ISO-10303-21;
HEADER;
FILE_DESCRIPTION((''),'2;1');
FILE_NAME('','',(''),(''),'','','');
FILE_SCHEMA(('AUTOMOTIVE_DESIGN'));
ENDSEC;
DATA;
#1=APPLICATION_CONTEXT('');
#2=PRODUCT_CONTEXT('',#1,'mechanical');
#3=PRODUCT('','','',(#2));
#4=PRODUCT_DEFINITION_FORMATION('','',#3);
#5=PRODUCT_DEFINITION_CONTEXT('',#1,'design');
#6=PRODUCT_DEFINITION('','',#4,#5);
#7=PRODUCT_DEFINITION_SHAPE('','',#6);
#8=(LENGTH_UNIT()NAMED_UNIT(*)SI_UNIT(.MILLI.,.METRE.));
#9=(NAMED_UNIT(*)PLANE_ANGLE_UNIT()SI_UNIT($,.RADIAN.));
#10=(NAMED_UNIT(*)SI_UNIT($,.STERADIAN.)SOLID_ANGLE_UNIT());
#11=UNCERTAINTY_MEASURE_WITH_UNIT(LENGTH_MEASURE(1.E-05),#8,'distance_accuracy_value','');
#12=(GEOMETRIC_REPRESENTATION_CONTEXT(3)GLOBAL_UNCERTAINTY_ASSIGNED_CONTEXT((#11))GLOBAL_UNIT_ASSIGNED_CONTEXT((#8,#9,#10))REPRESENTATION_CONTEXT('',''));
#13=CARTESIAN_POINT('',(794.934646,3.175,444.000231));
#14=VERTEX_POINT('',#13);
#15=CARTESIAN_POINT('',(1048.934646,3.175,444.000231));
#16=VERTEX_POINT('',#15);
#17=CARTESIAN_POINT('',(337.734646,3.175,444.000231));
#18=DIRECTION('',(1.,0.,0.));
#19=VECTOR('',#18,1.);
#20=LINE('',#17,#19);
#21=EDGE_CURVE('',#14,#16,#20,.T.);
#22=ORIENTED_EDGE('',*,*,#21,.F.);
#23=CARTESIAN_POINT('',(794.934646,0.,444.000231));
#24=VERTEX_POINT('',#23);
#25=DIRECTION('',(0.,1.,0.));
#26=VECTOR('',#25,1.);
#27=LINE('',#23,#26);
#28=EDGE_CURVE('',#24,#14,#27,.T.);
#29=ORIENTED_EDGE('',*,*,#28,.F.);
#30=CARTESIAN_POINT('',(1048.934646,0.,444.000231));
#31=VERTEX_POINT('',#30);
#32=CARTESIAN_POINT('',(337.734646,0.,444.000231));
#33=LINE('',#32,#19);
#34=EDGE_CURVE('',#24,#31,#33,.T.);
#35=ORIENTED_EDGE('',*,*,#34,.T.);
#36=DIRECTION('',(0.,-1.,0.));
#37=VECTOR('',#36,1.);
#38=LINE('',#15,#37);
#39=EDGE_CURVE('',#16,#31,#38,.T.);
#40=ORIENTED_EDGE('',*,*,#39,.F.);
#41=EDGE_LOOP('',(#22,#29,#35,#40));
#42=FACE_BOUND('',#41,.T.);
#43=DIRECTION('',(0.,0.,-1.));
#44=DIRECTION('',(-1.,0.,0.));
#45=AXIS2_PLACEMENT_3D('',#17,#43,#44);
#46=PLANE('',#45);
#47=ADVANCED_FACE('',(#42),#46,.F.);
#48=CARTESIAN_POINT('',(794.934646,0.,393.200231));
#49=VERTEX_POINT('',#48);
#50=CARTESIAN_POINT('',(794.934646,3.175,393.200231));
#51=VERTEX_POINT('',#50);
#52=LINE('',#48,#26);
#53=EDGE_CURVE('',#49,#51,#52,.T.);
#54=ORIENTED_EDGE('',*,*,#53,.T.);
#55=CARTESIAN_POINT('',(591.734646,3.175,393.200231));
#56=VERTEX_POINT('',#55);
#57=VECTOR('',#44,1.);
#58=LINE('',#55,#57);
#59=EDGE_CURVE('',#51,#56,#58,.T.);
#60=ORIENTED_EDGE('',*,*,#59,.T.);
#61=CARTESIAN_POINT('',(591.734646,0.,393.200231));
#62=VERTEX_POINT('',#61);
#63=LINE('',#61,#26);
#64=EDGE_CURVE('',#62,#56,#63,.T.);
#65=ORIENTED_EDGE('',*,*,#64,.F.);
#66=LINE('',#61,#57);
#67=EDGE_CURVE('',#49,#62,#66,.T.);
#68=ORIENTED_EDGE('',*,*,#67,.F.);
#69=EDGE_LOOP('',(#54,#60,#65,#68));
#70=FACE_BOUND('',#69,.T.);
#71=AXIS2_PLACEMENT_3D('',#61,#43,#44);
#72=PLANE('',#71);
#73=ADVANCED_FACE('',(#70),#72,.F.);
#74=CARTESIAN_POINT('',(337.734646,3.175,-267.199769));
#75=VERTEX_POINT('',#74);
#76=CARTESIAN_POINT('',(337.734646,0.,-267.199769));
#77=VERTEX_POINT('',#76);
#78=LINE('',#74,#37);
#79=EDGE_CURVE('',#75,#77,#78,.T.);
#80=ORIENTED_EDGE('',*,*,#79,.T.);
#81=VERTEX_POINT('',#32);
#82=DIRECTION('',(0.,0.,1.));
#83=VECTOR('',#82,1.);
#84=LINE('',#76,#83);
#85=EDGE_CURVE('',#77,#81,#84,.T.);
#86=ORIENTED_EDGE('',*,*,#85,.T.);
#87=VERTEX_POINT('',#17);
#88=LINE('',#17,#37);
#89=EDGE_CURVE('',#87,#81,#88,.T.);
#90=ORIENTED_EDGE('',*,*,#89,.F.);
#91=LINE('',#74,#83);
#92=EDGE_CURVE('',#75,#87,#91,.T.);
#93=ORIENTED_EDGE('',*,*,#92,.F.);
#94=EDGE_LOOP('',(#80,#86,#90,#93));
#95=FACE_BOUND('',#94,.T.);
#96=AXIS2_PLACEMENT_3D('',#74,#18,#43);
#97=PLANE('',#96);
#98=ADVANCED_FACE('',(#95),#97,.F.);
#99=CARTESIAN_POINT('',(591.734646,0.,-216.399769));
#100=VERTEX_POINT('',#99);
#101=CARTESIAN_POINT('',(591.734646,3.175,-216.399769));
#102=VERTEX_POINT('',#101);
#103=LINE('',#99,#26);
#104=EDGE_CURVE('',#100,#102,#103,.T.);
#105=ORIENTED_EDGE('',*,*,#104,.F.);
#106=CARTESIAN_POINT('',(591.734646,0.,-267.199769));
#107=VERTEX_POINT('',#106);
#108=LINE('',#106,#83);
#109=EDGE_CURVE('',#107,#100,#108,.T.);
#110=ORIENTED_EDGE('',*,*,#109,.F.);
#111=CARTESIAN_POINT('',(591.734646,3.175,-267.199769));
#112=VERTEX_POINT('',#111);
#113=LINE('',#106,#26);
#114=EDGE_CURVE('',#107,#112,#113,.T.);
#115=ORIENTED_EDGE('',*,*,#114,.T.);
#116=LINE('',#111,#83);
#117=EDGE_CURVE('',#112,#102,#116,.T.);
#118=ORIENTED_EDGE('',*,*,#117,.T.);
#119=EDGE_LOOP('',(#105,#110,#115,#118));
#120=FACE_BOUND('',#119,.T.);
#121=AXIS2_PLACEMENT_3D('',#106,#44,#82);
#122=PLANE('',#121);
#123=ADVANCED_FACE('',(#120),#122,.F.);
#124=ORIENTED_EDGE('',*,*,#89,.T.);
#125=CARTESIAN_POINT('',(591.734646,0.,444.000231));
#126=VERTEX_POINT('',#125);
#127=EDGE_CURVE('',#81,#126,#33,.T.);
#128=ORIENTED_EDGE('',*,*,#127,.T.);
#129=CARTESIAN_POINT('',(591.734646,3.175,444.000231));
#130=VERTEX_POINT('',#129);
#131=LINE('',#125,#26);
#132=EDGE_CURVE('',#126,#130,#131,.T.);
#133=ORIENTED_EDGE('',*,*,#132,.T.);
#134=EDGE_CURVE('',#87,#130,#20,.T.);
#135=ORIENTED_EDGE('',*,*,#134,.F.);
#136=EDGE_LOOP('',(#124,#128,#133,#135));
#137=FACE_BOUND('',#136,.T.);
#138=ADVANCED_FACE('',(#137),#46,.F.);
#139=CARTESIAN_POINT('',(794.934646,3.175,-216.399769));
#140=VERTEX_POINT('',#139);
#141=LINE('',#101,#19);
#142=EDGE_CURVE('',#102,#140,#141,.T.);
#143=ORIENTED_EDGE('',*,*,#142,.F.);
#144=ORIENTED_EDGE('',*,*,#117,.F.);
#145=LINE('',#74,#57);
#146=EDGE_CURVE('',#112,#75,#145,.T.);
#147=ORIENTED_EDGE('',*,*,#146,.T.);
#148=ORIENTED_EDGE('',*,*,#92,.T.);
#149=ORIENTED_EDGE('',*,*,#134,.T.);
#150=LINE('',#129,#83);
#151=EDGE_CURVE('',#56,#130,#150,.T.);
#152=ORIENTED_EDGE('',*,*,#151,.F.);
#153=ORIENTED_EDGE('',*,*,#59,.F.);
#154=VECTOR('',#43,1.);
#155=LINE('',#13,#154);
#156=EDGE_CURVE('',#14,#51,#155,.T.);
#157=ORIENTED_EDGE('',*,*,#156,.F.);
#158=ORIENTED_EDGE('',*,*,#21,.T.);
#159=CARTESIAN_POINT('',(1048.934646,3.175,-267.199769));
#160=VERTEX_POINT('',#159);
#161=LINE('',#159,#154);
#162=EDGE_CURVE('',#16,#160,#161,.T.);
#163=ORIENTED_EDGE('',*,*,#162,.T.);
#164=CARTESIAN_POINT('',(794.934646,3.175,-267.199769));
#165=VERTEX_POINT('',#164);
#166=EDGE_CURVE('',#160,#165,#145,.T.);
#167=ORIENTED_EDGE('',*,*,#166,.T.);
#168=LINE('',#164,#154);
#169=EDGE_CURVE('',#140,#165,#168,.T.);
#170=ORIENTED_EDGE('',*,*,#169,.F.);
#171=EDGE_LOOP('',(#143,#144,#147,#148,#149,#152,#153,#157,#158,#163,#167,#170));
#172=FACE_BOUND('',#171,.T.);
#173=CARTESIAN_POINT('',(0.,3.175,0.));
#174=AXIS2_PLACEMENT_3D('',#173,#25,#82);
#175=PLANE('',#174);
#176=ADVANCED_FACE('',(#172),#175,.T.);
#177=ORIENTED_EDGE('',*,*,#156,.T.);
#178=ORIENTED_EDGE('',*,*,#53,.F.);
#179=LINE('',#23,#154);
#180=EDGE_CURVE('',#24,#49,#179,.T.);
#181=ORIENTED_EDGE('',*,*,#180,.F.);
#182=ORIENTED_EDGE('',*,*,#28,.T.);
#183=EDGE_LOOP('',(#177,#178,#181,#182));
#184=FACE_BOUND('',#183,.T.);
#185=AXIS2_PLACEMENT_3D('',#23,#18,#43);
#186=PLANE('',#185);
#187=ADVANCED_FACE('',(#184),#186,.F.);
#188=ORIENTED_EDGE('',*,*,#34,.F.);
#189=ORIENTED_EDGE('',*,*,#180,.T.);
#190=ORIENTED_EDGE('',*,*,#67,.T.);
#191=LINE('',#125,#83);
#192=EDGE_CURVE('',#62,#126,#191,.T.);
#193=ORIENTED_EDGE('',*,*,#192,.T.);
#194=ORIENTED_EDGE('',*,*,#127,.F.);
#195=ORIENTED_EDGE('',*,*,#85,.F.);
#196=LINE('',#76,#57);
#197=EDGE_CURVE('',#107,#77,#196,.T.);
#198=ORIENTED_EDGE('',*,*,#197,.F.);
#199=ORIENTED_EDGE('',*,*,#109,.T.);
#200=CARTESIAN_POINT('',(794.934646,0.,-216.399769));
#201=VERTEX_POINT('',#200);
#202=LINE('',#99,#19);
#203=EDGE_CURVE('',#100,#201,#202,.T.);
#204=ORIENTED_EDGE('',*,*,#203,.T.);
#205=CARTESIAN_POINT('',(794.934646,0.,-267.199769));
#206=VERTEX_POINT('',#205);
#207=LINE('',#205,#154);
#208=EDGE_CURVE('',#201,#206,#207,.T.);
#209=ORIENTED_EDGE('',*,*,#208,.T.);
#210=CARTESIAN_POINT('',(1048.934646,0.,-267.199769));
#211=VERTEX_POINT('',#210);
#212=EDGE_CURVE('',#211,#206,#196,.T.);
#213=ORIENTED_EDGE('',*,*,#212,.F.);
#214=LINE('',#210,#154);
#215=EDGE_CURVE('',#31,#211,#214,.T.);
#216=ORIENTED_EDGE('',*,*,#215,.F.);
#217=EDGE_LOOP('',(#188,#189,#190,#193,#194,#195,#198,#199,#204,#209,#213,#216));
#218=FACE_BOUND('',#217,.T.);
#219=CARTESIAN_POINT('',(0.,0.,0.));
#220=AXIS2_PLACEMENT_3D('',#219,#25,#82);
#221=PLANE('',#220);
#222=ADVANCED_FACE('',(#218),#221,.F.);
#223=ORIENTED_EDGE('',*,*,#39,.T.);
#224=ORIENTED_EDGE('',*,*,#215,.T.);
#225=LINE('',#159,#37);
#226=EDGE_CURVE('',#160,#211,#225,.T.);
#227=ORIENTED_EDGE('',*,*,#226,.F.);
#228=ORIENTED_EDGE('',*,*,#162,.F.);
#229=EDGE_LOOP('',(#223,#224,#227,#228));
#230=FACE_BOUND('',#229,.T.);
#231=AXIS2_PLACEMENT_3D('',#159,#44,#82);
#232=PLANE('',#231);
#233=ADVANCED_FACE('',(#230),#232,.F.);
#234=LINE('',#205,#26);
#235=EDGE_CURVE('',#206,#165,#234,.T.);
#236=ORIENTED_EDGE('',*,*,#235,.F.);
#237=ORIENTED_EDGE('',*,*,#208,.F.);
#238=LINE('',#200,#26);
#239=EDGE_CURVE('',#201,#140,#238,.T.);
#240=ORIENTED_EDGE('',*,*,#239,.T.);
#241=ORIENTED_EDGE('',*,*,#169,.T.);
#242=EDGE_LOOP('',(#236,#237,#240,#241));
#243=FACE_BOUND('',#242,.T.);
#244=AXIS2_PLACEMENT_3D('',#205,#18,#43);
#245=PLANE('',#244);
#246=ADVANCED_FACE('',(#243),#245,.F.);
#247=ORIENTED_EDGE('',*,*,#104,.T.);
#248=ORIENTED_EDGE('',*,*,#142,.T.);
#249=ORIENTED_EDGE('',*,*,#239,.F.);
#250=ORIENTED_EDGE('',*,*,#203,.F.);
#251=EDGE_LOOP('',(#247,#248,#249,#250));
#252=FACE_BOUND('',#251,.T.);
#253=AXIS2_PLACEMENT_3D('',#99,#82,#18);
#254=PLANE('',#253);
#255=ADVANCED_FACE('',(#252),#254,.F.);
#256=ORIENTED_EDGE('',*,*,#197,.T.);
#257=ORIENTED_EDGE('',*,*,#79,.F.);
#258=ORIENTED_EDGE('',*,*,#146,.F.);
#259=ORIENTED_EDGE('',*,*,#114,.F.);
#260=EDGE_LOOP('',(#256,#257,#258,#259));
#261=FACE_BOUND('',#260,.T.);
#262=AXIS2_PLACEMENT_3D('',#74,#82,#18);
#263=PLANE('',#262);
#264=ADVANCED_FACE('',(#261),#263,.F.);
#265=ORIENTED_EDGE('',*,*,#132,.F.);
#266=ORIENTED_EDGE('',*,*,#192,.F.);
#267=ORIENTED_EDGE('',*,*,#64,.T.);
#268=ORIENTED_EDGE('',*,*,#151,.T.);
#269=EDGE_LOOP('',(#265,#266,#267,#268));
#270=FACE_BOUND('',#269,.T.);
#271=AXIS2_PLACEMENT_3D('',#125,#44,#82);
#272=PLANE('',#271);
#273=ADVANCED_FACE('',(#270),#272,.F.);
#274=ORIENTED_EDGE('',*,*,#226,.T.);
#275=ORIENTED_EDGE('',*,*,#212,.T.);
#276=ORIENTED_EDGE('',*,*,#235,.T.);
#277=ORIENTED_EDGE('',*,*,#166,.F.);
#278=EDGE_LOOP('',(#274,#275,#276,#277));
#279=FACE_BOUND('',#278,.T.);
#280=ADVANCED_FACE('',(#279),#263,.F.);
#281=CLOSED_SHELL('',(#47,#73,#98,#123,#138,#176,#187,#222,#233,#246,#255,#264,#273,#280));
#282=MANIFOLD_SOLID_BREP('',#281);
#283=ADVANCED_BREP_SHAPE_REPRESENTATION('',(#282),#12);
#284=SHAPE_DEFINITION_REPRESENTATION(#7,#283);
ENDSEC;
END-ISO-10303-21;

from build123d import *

# Parameters (mm, degrees)
SKETCH1_W           = 711.2
SKETCH1_H           = 711.2
BOSS_EXTRUDE1_DEPTH = 3.175
SKETCH2_W           = 203.2
SKETCH2_H           = 50.8
CUT_EXTRUDE1_DEPTH  = 1140.039146393


with BuildPart() as part:
    # Sketch1 → Boss-Extrude1 (new body)
    with BuildSketch(Plane(origin=(0, 0, 0), x_dir=(1, 0, 0), z_dir=(0, 1, 0))):
        with Locations((693.334645702, -88.400231346)):
            Rectangle(SKETCH1_W, SKETCH1_H)
    extrude(amount=BOSS_EXTRUDE1_DEPTH)

    # Sketch2 → Cut-Extrude1 (cut, through all)
    with BuildSketch(Plane(origin=(0, 3.175, 0), x_dir=(1, 0, 0), z_dir=(0, 1, 0))):
        with Locations((693.334645702, 241.799768654)):
            Rectangle(SKETCH2_W, SKETCH2_H)
        with Locations((693.334645702, -418.600231346)):
            Rectangle(SKETCH2_W, SKETCH2_H)
    extrude(amount=-CUT_EXTRUDE1_DEPTH, mode=Mode.SUBTRACT)


solid = part.part
